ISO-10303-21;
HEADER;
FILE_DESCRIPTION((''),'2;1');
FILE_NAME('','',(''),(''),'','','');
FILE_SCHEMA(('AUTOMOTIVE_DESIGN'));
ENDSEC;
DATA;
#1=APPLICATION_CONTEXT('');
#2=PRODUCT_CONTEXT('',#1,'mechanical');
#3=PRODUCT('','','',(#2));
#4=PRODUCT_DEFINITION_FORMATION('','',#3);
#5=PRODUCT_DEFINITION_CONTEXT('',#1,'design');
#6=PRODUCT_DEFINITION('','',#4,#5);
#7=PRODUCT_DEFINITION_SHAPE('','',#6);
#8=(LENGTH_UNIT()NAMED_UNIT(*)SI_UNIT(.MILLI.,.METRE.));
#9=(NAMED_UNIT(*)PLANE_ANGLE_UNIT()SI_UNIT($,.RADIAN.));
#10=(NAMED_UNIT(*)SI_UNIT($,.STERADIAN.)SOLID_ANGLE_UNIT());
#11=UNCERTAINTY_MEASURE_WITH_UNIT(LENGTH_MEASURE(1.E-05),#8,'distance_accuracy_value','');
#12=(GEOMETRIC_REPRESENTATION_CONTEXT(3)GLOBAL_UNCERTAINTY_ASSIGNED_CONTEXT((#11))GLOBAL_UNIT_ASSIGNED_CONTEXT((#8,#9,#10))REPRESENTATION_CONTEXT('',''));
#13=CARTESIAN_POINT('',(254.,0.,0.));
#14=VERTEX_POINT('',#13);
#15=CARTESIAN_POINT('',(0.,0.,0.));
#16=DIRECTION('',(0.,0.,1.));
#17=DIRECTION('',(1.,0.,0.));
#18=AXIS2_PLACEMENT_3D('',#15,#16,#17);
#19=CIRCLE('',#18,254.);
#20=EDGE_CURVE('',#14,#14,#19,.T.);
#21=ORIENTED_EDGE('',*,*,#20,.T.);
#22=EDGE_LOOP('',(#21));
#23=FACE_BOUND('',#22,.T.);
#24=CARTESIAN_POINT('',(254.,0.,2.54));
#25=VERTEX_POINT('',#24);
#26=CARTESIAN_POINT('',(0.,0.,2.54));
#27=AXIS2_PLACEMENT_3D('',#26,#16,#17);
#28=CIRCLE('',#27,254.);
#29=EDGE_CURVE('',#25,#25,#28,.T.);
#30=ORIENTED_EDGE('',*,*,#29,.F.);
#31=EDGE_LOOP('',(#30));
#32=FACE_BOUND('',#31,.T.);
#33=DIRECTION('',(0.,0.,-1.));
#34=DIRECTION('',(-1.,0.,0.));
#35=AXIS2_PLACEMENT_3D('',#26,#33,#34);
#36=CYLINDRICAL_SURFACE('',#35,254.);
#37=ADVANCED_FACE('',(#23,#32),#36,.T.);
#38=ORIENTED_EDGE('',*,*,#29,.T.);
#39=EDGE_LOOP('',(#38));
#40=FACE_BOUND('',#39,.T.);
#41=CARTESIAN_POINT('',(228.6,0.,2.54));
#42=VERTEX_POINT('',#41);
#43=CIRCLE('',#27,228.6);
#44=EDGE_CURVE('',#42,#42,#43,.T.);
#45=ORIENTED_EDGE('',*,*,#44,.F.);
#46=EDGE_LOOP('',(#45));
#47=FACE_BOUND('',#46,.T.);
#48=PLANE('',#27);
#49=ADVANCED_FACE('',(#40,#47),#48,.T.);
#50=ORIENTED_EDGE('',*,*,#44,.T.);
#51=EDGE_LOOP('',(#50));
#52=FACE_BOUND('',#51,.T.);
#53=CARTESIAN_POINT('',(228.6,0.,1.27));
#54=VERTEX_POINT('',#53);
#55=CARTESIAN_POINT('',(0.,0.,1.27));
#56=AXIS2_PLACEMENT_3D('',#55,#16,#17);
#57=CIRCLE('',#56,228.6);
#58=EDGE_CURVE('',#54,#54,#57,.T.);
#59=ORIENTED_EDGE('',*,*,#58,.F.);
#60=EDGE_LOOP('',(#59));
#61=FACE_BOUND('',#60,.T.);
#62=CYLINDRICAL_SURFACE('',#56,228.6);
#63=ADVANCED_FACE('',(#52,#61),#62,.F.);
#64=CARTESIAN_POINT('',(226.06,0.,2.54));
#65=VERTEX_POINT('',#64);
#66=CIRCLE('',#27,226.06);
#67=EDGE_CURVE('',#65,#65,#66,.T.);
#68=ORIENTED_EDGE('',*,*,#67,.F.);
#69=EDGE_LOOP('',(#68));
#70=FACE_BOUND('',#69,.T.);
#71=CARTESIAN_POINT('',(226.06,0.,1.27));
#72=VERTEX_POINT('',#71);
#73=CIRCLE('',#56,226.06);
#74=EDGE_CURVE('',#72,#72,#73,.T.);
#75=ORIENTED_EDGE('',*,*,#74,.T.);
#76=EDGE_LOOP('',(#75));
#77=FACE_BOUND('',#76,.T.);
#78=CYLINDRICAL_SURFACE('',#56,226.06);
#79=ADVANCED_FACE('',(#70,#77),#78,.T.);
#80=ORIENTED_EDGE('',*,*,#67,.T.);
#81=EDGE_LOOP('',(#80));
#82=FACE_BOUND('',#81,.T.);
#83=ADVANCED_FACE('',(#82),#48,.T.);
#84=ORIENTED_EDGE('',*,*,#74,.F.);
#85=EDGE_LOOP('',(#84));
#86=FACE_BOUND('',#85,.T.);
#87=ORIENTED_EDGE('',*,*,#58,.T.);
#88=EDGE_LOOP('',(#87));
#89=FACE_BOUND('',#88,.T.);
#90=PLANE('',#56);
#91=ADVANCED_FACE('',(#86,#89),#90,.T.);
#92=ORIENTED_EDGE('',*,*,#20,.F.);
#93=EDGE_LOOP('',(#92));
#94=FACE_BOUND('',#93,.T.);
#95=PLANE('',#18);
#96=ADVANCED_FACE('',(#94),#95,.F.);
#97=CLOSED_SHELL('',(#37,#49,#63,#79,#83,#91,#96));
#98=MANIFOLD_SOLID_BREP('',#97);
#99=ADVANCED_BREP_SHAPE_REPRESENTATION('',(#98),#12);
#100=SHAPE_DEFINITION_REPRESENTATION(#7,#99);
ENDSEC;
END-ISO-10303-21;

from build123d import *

# Parameters (mm, degrees)
SKETCH1_R           = 254
BOSS_EXTRUDE1_DEPTH = 2.54
SKETCH2_R           = 228.6
SKETCH2_R_2         = 226.06
CUT_EXTRUDE1_DEPTH  = 1.27


with BuildPart() as part:
    # Sketch1 → Boss-Extrude1 (new body)
    with BuildSketch(Plane.XY):
        Circle(SKETCH1_R)
    extrude(amount=BOSS_EXTRUDE1_DEPTH)

    # Sketch2 → Cut-Extrude1 (cut)
    with BuildSketch(Plane.XY.offset(2.54)):
        Circle(SKETCH2_R)
        Circle(SKETCH2_R_2, mode=Mode.SUBTRACT)
    extrude(amount=-CUT_EXTRUDE1_DEPTH, mode=Mode.SUBTRACT)


solid = part.part
